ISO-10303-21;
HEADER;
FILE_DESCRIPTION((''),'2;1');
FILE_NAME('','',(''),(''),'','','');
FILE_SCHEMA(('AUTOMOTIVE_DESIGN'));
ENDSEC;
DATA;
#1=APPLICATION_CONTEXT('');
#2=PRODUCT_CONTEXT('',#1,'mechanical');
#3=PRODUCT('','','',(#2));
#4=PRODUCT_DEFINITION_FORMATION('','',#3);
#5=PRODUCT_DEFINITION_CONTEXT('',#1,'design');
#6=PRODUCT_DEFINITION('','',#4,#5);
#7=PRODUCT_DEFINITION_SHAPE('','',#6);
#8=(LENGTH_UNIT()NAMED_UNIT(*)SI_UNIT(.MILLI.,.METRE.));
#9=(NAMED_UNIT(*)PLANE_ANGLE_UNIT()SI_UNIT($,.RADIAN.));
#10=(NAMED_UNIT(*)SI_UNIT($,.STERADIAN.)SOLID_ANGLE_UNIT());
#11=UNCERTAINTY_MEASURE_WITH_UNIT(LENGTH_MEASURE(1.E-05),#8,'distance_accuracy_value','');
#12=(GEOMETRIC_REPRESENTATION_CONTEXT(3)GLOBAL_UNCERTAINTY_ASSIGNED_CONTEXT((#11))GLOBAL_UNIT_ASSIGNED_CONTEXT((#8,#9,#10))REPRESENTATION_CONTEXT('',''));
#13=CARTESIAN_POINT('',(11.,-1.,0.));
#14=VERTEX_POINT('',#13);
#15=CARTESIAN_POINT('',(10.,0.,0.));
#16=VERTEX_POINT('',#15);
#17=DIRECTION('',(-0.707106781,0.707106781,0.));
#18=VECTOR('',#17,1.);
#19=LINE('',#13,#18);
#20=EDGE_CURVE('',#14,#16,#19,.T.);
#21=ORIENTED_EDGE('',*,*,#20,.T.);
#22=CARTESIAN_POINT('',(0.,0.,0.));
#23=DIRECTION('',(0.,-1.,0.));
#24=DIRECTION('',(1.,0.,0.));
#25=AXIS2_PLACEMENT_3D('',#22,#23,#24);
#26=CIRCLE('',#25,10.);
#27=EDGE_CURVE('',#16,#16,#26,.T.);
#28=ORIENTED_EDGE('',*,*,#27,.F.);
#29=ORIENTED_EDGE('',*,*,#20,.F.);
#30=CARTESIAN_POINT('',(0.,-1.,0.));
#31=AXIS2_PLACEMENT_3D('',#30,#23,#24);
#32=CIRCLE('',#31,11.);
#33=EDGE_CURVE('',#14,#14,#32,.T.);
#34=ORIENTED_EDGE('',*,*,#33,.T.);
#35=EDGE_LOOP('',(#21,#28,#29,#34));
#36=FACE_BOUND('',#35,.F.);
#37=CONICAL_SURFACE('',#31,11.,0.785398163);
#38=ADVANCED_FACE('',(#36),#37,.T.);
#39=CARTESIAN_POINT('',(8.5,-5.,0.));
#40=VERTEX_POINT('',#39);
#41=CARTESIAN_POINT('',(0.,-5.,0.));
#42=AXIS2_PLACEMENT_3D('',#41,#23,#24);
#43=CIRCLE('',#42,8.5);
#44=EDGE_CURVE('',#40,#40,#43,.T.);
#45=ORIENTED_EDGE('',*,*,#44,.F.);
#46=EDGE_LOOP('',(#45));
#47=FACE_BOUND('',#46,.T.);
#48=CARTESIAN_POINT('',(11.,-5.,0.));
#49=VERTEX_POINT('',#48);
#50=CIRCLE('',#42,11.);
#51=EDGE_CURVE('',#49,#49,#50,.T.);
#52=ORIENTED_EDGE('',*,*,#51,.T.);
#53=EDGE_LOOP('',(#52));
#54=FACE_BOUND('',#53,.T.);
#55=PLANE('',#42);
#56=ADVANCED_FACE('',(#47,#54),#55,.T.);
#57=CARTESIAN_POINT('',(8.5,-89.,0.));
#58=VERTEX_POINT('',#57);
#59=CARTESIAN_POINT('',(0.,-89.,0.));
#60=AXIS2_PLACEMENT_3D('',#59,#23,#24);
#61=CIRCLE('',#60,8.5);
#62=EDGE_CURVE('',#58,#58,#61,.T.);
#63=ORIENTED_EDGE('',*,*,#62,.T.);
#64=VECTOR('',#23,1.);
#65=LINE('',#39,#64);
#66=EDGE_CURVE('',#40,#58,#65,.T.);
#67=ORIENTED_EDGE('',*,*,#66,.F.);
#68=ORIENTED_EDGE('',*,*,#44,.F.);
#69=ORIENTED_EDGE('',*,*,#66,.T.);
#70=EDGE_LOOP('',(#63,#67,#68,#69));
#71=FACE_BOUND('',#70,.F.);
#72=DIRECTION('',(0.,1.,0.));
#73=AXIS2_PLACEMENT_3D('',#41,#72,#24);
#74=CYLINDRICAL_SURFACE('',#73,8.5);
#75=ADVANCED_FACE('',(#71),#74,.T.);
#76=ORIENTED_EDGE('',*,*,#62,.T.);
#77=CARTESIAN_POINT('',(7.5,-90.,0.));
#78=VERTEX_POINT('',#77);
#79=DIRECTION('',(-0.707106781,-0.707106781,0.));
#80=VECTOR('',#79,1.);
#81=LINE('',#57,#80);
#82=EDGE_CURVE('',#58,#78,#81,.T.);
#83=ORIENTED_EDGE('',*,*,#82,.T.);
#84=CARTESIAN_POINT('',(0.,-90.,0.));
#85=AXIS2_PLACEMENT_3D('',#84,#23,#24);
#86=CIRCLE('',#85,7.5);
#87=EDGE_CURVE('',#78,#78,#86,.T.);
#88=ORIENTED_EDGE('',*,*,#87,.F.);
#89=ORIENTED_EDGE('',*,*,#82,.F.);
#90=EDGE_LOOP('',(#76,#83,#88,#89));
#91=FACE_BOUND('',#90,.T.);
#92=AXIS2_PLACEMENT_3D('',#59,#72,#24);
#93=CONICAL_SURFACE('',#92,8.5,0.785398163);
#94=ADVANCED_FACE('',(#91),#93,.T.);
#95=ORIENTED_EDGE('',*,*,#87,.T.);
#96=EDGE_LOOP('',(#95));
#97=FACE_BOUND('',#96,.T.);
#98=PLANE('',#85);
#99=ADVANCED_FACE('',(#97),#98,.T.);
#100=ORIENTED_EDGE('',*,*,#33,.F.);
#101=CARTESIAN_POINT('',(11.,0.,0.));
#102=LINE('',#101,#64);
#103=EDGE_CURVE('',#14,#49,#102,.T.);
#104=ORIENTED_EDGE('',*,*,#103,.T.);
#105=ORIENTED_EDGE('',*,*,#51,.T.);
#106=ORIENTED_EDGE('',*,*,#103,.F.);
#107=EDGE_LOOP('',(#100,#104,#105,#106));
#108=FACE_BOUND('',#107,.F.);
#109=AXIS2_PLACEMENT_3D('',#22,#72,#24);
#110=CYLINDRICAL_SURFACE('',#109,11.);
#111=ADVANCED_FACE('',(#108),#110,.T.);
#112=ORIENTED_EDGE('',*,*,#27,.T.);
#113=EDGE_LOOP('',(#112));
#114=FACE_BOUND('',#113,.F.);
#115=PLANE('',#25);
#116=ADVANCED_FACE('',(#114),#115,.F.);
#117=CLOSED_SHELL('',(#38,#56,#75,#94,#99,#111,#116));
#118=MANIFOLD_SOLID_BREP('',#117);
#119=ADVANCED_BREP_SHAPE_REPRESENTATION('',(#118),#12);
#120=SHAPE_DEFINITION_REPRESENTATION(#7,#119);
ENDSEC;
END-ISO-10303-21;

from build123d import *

# Parameters (mm, degrees)
F0_R     = 11
F1_DEPTH = 5
F2_R     = 8.5
F3_DEPTH = 85
F4_SIZE  = 1
F5_SIZE  = 1


with BuildPart() as f1:
    # F0 (on Front) → F1 (new body)
    with BuildSketch(Plane.XZ):
        Circle(F0_R)
    extrude(amount=F1_DEPTH)

    # F2 (on face) → F3 (join)
    with BuildSketch(Plane.XZ.offset(5)):
        Circle(F2_R)
    extrude(amount=F3_DEPTH)

    # F4
    f4_edges = [f1.edges().sort_by_distance(p)[0] for p in [
        (-11, 0, 0),
    ]]
    chamfer(f4_edges, length=F4_SIZE)

    # F5
    f5_edges = [f1.edges().sort_by_distance(p)[0] for p in [
        (-8.5, -90, 0),
    ]]
    chamfer(f5_edges, length=F5_SIZE)


solid = f1.part
